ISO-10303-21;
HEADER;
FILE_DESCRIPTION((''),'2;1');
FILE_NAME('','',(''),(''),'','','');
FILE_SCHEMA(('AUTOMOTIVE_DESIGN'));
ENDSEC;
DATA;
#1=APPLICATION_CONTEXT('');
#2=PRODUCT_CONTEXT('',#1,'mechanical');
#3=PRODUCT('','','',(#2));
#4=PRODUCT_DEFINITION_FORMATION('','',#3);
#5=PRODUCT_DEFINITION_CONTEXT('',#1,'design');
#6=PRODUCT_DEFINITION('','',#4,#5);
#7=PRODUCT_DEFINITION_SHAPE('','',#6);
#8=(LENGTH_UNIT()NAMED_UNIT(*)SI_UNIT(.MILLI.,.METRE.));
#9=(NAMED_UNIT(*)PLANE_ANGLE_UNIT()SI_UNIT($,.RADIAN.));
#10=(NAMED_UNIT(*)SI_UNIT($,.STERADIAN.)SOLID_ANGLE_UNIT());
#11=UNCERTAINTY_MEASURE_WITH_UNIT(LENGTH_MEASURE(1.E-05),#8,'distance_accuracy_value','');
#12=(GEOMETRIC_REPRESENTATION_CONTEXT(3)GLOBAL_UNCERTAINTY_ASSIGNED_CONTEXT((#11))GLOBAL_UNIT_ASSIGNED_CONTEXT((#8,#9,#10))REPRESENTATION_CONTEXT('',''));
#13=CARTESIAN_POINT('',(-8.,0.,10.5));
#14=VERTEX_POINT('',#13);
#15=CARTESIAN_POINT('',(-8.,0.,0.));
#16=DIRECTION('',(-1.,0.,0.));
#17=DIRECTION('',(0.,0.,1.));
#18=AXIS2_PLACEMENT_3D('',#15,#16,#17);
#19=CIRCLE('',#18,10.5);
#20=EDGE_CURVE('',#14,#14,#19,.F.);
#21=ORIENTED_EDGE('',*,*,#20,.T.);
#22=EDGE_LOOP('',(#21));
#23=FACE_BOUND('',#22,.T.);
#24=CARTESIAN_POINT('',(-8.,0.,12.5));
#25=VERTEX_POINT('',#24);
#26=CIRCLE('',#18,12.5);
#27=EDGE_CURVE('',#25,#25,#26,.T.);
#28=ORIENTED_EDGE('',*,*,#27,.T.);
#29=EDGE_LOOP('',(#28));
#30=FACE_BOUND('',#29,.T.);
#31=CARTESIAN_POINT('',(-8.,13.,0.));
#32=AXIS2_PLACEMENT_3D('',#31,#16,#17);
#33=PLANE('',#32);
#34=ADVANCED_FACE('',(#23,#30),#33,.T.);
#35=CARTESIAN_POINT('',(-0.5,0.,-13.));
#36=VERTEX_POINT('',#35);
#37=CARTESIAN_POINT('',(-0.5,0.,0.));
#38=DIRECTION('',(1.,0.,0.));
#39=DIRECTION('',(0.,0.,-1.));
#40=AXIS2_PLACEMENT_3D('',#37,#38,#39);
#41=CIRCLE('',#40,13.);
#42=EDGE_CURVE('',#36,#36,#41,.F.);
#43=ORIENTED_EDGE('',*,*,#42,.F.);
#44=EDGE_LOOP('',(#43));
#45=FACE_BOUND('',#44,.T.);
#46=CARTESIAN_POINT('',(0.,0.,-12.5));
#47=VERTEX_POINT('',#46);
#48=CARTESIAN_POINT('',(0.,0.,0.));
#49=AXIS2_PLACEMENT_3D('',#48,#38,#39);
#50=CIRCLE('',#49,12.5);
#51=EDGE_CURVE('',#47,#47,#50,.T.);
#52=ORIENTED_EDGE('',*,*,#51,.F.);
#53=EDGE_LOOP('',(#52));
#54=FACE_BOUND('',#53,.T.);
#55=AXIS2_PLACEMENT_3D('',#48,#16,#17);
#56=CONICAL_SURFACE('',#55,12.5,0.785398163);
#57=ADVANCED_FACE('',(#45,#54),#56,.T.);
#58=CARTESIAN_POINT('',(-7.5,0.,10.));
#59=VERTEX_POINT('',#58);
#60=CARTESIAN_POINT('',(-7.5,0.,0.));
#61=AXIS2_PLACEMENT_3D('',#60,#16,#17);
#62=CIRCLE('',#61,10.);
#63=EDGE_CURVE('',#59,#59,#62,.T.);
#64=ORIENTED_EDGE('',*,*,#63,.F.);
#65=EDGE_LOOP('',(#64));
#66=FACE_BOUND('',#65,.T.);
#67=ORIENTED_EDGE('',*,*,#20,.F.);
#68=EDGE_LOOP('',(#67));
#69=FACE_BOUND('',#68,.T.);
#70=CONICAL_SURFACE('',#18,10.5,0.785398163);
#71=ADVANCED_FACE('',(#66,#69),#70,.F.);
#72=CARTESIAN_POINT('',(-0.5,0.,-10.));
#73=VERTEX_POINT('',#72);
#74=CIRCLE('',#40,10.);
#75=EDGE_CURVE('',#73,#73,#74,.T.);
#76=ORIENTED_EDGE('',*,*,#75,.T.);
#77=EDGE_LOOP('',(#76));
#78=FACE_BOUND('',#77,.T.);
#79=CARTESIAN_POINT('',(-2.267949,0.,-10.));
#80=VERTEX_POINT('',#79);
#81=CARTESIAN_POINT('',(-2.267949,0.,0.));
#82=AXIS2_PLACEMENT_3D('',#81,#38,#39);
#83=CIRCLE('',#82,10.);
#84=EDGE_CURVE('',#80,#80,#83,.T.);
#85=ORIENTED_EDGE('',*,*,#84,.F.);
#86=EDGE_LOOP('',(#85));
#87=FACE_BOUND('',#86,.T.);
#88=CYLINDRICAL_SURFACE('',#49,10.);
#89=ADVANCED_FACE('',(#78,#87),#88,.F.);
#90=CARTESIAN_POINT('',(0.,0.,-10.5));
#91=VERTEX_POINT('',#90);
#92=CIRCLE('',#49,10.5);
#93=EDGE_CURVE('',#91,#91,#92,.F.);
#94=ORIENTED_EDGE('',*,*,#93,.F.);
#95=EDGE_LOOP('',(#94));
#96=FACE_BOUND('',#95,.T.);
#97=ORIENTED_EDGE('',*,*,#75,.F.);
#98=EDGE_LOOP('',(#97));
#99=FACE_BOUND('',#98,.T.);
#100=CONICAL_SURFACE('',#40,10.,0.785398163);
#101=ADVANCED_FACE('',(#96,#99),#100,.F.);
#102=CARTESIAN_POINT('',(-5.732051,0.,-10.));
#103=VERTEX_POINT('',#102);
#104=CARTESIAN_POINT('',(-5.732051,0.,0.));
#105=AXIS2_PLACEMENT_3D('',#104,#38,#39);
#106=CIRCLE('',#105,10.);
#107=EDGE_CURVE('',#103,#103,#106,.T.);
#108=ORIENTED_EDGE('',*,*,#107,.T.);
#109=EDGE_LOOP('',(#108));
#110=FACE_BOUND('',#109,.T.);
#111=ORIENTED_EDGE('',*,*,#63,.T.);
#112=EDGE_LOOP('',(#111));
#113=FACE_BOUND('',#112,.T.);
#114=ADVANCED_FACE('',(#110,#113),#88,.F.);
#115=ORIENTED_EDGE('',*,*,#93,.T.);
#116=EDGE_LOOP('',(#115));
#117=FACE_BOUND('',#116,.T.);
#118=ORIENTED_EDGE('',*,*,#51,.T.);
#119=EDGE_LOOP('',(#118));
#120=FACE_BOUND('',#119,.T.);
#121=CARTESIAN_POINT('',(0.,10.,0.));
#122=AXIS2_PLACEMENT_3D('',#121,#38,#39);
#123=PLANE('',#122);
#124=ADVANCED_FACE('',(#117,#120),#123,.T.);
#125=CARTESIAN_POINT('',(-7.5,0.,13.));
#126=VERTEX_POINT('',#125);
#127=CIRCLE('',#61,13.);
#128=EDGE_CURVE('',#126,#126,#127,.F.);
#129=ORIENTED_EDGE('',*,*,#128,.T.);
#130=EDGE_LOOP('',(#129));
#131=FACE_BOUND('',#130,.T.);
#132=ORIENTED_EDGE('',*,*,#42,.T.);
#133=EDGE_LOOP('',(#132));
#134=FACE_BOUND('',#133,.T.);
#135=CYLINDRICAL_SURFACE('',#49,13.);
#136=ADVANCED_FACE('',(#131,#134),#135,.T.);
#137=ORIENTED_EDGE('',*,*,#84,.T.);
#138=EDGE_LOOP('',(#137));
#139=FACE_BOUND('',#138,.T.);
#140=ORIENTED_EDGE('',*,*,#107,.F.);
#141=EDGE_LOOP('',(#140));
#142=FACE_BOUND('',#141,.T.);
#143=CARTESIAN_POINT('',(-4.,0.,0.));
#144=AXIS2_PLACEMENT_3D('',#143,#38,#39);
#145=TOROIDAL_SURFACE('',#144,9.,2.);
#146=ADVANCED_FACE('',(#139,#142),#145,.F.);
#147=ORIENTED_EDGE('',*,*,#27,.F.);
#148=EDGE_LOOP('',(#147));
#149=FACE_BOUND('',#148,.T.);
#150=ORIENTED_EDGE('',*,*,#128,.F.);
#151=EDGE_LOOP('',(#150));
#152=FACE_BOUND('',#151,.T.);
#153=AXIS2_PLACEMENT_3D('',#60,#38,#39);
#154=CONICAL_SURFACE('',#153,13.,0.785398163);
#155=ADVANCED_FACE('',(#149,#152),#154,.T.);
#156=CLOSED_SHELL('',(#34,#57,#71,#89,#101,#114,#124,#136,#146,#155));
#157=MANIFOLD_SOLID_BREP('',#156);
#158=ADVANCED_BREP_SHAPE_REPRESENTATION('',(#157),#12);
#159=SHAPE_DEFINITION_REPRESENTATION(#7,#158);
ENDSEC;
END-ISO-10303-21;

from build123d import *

# Parameters (mm, degrees)
PAH1_SIZE = 0.5


with BuildPart() as part:
    # Çizim1 → Döndür1 (revolve)
    with BuildSketch(Plane.XY, mode=Mode.PRIVATE) as d_nd_r1_sk:
        with BuildLine():
            Line((0, 10), (0, 13))
            Line((0, 13), (-8, 13))
            Line((-8, 13), (-8, 10))
            Line((-8, 10), (-5.732050808, 10))
            ThreePointArc((-5.732050808, 10), (-4, 11), (-2.267949192, 10))
            Line((-2.267949192, 10), (0, 10))
        make_face()
    revolve(d_nd_r1_sk.sketch.rotate(Axis((0, 0, 0), (-1, 0, 0)), 90), axis=Axis((0, 0, 0), (-1, 0, 0)))

    # Pah1
    pah1_edges = [part.edges().sort_by_distance(p)[0] for p in [
        (0, 0, 10),
        (0, 0, 13),
        (-8, 0, 13),
        (-8, 0, 10),
    ]]
    chamfer(pah1_edges, length=PAH1_SIZE)


solid = part.part
